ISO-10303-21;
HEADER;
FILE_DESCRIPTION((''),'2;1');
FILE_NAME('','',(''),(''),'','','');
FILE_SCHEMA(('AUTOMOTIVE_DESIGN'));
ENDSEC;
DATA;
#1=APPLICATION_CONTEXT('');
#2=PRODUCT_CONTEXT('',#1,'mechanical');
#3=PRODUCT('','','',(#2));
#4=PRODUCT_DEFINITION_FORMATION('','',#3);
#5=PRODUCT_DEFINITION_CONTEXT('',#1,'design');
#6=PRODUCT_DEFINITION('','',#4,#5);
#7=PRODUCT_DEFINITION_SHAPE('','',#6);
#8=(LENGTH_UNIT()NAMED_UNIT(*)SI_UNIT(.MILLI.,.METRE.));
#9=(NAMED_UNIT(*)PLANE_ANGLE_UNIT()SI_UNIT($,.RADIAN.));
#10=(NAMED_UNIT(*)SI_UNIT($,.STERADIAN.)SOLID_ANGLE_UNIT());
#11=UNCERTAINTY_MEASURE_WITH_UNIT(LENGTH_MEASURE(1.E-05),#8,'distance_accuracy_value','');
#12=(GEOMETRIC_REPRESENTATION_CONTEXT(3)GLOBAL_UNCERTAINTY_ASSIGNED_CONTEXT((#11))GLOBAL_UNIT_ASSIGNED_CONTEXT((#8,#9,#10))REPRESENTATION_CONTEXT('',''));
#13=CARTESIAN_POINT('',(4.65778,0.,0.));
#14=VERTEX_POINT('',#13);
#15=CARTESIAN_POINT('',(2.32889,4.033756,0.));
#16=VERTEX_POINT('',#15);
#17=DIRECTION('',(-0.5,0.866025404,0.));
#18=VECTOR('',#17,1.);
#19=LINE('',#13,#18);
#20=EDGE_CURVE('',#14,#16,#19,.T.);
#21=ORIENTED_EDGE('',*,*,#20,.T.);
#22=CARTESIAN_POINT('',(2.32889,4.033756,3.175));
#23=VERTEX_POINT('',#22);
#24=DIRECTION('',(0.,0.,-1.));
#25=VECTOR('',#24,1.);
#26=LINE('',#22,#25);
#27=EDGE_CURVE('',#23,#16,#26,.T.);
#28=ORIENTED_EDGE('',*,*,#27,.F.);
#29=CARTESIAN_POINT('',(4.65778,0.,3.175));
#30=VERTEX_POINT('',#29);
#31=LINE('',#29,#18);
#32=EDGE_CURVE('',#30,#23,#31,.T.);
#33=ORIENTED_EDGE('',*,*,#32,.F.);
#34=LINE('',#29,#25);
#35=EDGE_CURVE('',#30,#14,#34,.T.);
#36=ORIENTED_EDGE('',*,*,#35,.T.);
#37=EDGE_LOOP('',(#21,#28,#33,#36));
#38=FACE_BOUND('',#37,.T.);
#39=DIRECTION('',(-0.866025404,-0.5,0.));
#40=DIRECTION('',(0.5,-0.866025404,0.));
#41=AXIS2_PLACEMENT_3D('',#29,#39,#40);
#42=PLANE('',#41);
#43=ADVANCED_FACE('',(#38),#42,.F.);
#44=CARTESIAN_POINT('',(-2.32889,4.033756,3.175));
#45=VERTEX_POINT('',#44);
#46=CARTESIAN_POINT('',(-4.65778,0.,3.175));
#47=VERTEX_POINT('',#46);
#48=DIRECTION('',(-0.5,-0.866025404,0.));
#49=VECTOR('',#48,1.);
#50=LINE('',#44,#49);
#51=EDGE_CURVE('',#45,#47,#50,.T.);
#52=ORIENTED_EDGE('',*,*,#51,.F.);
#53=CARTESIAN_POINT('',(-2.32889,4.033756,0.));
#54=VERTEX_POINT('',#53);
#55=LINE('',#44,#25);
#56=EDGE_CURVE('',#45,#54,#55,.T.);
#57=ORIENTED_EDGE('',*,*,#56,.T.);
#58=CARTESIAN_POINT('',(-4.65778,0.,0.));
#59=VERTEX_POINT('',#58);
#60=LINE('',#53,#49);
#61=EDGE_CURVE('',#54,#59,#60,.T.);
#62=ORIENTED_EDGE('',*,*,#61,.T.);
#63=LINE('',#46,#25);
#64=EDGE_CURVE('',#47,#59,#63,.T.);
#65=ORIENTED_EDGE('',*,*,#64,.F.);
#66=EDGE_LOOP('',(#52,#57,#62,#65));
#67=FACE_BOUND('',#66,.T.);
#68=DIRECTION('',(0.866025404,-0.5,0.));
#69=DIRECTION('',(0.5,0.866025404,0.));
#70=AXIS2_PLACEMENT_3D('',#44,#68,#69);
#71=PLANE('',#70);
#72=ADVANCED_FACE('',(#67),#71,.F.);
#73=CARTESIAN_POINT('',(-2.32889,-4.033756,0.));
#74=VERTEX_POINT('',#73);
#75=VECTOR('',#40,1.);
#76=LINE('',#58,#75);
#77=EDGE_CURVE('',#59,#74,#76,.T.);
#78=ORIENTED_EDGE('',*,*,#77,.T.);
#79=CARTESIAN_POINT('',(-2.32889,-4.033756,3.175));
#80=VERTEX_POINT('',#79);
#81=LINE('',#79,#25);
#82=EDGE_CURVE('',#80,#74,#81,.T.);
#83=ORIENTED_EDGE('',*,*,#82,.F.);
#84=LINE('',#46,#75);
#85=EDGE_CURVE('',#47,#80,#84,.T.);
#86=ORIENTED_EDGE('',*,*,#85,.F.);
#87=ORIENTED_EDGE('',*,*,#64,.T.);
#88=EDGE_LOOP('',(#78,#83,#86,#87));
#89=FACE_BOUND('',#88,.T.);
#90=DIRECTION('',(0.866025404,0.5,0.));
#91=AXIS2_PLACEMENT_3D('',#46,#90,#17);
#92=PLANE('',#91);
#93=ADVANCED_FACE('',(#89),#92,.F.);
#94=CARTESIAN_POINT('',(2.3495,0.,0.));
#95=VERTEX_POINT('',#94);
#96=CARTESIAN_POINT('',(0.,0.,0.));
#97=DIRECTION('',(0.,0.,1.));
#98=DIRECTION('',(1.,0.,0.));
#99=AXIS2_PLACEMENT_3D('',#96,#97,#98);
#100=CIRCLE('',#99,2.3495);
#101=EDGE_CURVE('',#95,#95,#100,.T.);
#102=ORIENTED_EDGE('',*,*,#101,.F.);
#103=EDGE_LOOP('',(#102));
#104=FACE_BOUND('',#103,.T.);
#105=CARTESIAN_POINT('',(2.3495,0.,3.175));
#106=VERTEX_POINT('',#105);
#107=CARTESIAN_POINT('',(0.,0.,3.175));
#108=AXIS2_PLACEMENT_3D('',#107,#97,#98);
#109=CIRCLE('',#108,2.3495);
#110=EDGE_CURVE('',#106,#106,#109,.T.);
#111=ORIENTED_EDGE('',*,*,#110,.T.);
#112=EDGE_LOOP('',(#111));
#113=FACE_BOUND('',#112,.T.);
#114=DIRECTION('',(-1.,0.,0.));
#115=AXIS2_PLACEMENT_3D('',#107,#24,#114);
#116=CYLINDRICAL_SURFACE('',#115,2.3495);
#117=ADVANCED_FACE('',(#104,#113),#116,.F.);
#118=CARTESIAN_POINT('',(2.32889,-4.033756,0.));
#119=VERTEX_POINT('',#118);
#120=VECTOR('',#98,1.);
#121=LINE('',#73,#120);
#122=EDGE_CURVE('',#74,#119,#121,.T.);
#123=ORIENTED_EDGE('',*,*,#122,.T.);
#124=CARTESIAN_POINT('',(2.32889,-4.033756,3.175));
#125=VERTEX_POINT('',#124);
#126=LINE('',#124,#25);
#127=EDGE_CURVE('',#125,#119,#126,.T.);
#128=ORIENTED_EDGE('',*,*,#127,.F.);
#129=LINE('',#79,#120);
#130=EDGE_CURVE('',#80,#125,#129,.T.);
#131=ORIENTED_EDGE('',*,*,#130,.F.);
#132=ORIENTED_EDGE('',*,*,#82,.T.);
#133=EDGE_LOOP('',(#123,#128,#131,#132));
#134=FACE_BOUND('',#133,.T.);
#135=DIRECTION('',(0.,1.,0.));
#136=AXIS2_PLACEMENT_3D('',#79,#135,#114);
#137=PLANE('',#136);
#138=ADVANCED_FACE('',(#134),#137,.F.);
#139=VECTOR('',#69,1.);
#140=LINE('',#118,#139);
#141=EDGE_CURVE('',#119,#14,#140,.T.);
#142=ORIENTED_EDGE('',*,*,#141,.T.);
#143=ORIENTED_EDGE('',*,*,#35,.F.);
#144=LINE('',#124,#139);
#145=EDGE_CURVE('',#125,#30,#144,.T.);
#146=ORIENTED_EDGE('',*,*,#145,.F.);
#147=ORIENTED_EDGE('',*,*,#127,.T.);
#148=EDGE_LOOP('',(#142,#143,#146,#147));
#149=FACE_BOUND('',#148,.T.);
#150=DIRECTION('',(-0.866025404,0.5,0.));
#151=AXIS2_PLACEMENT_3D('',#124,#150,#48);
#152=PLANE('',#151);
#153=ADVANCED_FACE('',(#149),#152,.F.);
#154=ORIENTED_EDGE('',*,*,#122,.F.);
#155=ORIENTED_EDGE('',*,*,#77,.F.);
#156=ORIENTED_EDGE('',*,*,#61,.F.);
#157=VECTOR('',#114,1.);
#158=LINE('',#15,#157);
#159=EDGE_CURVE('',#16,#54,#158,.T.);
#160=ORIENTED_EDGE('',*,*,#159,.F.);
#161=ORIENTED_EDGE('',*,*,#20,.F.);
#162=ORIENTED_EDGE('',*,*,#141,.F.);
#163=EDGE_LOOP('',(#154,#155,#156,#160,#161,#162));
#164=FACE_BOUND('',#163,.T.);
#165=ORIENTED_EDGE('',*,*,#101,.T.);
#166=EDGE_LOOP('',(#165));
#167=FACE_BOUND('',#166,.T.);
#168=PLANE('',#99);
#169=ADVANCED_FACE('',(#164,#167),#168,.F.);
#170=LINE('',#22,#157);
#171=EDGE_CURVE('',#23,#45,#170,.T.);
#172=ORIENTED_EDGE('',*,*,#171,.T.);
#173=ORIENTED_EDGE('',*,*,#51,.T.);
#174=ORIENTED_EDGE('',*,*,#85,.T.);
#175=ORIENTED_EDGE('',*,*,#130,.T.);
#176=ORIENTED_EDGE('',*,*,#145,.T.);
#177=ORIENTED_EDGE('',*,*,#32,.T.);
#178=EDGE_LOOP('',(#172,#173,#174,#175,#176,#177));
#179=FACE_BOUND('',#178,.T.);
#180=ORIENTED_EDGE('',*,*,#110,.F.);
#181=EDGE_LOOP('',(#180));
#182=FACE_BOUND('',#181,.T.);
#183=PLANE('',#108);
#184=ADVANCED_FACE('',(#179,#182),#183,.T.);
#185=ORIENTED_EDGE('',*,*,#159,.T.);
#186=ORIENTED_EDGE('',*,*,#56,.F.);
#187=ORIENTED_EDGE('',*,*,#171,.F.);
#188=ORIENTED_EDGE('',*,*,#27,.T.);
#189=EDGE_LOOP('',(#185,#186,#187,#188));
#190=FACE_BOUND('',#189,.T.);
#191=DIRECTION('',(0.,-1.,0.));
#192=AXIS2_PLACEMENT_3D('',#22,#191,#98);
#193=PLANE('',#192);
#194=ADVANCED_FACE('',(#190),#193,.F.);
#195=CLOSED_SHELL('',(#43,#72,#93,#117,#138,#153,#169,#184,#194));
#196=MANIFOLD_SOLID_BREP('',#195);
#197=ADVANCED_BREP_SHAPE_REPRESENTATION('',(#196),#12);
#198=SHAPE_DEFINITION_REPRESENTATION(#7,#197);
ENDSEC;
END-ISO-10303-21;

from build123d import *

# Parameters (mm, degrees)
SKETCH1_R           = 2.3495
BOSS_EXTRUDE1_DEPTH = 3.175


with BuildPart() as part:
    # Sketch1 → Boss-Extrude1 (new body)
    with BuildSketch(Plane.XY):
        Polygon((4.657779905, 0), (2.328889953, 4.033755723), (-2.328889953, 4.033755723), (-4.657779905, 0), (-2.328889953, -4.033755723), (2.328889953, -4.033755723), align=None)
        Circle(SKETCH1_R, mode=Mode.SUBTRACT)
    extrude(amount=BOSS_EXTRUDE1_DEPTH)


solid = part.part
